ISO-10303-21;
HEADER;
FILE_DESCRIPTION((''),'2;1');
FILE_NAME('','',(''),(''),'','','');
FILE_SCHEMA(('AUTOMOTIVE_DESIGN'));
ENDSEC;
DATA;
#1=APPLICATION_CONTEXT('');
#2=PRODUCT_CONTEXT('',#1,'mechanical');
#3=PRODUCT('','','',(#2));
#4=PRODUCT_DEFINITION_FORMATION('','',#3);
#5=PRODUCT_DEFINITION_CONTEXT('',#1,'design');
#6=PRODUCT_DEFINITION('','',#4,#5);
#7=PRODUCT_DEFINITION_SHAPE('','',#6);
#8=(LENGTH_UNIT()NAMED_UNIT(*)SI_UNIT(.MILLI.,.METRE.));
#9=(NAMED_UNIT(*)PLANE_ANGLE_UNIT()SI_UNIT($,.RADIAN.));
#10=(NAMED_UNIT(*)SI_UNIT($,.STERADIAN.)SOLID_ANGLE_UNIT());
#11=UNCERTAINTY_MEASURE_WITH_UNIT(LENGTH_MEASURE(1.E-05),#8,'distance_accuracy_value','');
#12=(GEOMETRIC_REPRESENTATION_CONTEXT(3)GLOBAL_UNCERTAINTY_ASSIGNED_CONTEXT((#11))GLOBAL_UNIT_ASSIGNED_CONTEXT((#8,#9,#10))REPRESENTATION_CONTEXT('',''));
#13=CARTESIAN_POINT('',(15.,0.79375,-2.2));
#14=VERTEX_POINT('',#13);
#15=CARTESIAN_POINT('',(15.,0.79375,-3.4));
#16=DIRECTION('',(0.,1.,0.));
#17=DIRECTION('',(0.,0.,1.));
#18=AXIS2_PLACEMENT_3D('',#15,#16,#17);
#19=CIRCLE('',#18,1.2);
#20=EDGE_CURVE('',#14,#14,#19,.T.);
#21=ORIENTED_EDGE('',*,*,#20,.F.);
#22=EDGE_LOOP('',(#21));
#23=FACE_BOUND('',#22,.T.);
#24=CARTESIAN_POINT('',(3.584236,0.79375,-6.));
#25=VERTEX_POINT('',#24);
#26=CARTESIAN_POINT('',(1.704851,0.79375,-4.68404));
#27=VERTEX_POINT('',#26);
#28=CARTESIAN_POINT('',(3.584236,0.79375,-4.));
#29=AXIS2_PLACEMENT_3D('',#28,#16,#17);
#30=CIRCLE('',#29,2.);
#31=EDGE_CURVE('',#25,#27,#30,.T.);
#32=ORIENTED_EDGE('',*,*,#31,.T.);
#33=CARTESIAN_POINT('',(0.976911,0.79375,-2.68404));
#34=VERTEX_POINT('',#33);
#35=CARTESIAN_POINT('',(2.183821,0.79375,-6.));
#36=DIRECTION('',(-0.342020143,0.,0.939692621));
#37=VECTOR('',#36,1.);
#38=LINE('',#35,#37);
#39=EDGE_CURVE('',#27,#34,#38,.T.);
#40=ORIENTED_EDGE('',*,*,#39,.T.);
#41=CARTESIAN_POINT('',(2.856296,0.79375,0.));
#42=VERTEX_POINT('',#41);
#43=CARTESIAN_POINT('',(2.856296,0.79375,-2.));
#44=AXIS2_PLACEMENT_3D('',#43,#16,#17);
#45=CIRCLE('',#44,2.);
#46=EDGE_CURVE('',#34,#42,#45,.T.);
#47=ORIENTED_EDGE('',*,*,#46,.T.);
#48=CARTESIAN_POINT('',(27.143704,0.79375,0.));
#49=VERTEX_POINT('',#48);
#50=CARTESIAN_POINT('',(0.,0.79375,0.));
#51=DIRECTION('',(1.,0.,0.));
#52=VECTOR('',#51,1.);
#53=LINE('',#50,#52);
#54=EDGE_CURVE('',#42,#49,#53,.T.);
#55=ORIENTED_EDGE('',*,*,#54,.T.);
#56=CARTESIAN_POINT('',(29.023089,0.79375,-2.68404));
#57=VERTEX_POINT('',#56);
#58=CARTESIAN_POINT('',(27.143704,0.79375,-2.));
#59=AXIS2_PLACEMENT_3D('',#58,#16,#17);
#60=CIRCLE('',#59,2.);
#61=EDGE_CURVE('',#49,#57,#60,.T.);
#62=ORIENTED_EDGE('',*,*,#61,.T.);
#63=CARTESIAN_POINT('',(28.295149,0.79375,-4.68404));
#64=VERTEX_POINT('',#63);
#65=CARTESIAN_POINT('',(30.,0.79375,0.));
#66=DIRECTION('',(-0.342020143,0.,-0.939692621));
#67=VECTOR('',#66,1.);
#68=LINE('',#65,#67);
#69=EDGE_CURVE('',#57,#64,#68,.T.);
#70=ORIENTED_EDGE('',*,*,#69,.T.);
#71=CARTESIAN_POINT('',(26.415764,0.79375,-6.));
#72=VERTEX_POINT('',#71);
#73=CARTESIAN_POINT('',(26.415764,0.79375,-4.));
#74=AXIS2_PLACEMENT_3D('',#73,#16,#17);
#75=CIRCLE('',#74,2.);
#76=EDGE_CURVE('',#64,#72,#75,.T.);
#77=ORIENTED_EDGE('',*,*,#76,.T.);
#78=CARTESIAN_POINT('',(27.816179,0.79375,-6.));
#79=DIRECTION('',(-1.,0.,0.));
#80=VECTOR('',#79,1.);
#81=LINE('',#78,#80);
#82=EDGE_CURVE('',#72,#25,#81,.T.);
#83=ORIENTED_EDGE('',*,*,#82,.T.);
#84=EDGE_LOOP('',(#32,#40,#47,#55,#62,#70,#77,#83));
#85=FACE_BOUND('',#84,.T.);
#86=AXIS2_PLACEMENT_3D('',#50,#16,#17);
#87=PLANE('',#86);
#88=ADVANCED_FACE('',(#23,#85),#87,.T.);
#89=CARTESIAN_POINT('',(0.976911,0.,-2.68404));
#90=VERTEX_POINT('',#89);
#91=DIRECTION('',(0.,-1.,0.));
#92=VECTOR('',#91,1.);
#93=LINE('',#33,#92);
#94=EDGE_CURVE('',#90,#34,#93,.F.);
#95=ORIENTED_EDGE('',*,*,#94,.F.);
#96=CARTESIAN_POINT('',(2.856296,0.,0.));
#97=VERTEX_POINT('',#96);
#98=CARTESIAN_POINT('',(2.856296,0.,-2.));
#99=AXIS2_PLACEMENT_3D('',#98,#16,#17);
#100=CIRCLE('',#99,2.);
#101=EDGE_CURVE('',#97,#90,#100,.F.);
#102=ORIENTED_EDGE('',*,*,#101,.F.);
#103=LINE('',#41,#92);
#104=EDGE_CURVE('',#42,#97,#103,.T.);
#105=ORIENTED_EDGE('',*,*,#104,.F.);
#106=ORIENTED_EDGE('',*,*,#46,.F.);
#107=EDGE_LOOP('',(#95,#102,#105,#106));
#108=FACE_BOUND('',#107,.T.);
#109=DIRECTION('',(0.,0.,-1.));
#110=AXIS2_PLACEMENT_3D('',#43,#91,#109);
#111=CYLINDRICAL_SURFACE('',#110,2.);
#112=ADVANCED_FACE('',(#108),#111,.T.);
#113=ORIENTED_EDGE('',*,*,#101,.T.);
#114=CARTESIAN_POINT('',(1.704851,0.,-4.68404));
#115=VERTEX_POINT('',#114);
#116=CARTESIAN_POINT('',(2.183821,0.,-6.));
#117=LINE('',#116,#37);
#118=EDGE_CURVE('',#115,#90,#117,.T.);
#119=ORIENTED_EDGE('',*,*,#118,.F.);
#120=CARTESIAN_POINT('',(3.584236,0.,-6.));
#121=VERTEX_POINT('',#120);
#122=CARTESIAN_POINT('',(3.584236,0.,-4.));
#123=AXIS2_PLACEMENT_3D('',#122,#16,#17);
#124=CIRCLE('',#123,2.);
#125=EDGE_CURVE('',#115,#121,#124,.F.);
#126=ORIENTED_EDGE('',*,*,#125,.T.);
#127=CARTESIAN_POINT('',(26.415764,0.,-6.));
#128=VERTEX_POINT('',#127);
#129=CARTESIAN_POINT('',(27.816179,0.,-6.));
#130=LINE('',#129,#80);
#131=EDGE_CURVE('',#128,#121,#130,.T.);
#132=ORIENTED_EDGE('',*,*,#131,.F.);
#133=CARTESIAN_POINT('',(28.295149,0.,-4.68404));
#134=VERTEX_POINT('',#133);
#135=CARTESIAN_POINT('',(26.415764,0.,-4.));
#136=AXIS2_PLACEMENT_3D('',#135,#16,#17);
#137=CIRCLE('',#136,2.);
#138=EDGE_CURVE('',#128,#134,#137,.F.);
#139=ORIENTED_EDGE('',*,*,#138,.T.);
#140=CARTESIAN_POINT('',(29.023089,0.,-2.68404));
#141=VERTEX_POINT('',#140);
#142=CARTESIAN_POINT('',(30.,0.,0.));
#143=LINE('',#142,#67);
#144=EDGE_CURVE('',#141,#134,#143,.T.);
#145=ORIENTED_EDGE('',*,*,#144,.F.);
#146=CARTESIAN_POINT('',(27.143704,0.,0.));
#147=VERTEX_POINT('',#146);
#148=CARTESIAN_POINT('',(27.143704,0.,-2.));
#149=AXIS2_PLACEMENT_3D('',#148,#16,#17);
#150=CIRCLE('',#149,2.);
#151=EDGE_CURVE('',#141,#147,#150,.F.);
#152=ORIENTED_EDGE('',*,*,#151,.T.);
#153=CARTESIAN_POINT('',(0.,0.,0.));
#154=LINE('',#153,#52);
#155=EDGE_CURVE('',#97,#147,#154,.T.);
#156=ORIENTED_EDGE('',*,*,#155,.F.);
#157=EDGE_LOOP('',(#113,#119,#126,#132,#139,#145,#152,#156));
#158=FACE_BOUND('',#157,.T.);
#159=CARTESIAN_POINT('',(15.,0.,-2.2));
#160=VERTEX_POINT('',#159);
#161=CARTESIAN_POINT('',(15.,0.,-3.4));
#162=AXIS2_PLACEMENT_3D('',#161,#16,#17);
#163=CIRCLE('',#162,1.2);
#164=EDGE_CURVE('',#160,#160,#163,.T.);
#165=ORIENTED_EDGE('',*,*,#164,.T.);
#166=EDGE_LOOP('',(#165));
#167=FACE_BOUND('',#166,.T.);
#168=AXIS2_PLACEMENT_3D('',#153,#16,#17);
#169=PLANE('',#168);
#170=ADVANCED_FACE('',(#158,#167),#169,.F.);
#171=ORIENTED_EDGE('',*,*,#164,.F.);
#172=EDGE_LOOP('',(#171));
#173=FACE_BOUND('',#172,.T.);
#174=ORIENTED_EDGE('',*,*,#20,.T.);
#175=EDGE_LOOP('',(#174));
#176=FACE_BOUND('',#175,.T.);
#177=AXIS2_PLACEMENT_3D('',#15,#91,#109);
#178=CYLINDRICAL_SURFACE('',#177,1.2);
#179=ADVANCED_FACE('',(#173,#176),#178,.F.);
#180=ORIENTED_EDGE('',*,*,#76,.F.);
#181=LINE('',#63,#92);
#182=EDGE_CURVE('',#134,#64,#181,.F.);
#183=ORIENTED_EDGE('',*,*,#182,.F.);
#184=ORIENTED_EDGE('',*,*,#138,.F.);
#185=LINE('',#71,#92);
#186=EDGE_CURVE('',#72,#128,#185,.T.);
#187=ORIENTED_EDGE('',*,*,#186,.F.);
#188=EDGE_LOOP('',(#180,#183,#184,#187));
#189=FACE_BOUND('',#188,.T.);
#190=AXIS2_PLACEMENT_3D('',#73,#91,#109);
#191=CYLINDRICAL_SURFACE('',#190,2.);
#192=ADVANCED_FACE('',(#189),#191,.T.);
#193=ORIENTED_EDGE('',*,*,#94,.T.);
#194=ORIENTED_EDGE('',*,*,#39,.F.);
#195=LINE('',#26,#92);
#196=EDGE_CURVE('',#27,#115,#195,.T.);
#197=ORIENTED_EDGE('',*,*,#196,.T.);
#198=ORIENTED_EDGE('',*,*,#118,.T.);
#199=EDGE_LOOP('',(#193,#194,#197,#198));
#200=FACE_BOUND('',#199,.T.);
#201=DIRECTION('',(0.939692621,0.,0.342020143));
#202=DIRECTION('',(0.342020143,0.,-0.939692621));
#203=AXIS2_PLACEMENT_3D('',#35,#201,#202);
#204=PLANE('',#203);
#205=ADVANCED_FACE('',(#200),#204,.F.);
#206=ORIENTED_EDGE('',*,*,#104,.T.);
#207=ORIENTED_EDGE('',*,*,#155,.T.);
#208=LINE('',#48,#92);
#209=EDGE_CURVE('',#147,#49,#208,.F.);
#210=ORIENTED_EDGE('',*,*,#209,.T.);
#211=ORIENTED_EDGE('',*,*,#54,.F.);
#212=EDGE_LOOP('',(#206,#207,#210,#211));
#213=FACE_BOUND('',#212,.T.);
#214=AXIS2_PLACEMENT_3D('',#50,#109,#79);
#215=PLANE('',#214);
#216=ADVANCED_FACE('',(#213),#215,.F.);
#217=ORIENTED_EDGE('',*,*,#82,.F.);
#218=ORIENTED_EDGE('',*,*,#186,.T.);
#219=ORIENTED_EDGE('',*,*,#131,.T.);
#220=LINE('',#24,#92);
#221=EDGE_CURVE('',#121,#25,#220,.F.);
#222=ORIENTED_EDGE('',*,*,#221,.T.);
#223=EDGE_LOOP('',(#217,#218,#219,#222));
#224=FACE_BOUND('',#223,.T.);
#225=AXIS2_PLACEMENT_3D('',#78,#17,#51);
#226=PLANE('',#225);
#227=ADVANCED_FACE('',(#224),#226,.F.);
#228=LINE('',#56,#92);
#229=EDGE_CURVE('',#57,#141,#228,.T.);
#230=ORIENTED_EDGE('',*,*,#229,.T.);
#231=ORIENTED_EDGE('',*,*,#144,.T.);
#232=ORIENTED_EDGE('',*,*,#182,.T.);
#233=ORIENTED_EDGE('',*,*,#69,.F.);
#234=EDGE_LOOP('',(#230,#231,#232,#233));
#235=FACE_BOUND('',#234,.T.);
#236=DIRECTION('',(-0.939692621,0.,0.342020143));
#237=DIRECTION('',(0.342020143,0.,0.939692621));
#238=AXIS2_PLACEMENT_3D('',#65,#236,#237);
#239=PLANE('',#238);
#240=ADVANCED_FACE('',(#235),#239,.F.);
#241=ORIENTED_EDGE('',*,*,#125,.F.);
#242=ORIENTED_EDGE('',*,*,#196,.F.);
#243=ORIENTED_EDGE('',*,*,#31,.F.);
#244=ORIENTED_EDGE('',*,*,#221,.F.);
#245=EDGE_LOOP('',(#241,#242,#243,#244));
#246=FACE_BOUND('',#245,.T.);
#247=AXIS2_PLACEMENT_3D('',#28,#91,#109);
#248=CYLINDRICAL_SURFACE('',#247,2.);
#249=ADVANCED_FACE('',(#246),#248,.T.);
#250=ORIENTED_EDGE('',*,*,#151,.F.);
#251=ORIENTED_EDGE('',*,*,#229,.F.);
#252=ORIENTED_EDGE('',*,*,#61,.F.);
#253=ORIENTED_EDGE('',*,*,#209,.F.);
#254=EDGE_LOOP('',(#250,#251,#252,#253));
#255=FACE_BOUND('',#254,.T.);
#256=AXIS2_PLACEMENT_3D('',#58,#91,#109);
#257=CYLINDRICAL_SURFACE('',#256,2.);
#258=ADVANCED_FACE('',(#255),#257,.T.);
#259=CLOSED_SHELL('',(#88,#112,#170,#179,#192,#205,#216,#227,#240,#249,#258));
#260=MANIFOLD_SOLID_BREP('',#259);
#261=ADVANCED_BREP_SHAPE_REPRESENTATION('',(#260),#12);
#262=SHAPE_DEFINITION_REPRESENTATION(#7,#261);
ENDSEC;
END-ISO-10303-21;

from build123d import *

# Parameters (mm, degrees)
SKETCH1_R           = 1.2
BOSS_EXTRUDE1_DEPTH = 0.79375
FILLET1_R           = 2


with BuildPart() as part:
    # Sketch1 → Boss-Extrude1 (new body)
    with BuildSketch(Plane(origin=(0, 0, 0), x_dir=(1, 0, 0), z_dir=(0, 1, 0))):
        Polygon((0, 0), (30, 0), (27.816178594, 6), (2.183821406, 6), align=None)
        with Locations(Location((15, 3.4, 0), (0, 0, 270))):
            Circle(SKETCH1_R, mode=Mode.SUBTRACT)
    extrude(amount=BOSS_EXTRUDE1_DEPTH)

    # Fillet1
    fillet1_edges = [part.edges().sort_by_distance(p)[0] for p in [
        (2.183821406, 0.396875, -6),
        (27.816178594, 0.396875, -6),
        (30, 0.396875, 0),
        (0, 0.396875, 0),
    ]]
    fillet(fillet1_edges, radius=FILLET1_R)


solid = part.part
